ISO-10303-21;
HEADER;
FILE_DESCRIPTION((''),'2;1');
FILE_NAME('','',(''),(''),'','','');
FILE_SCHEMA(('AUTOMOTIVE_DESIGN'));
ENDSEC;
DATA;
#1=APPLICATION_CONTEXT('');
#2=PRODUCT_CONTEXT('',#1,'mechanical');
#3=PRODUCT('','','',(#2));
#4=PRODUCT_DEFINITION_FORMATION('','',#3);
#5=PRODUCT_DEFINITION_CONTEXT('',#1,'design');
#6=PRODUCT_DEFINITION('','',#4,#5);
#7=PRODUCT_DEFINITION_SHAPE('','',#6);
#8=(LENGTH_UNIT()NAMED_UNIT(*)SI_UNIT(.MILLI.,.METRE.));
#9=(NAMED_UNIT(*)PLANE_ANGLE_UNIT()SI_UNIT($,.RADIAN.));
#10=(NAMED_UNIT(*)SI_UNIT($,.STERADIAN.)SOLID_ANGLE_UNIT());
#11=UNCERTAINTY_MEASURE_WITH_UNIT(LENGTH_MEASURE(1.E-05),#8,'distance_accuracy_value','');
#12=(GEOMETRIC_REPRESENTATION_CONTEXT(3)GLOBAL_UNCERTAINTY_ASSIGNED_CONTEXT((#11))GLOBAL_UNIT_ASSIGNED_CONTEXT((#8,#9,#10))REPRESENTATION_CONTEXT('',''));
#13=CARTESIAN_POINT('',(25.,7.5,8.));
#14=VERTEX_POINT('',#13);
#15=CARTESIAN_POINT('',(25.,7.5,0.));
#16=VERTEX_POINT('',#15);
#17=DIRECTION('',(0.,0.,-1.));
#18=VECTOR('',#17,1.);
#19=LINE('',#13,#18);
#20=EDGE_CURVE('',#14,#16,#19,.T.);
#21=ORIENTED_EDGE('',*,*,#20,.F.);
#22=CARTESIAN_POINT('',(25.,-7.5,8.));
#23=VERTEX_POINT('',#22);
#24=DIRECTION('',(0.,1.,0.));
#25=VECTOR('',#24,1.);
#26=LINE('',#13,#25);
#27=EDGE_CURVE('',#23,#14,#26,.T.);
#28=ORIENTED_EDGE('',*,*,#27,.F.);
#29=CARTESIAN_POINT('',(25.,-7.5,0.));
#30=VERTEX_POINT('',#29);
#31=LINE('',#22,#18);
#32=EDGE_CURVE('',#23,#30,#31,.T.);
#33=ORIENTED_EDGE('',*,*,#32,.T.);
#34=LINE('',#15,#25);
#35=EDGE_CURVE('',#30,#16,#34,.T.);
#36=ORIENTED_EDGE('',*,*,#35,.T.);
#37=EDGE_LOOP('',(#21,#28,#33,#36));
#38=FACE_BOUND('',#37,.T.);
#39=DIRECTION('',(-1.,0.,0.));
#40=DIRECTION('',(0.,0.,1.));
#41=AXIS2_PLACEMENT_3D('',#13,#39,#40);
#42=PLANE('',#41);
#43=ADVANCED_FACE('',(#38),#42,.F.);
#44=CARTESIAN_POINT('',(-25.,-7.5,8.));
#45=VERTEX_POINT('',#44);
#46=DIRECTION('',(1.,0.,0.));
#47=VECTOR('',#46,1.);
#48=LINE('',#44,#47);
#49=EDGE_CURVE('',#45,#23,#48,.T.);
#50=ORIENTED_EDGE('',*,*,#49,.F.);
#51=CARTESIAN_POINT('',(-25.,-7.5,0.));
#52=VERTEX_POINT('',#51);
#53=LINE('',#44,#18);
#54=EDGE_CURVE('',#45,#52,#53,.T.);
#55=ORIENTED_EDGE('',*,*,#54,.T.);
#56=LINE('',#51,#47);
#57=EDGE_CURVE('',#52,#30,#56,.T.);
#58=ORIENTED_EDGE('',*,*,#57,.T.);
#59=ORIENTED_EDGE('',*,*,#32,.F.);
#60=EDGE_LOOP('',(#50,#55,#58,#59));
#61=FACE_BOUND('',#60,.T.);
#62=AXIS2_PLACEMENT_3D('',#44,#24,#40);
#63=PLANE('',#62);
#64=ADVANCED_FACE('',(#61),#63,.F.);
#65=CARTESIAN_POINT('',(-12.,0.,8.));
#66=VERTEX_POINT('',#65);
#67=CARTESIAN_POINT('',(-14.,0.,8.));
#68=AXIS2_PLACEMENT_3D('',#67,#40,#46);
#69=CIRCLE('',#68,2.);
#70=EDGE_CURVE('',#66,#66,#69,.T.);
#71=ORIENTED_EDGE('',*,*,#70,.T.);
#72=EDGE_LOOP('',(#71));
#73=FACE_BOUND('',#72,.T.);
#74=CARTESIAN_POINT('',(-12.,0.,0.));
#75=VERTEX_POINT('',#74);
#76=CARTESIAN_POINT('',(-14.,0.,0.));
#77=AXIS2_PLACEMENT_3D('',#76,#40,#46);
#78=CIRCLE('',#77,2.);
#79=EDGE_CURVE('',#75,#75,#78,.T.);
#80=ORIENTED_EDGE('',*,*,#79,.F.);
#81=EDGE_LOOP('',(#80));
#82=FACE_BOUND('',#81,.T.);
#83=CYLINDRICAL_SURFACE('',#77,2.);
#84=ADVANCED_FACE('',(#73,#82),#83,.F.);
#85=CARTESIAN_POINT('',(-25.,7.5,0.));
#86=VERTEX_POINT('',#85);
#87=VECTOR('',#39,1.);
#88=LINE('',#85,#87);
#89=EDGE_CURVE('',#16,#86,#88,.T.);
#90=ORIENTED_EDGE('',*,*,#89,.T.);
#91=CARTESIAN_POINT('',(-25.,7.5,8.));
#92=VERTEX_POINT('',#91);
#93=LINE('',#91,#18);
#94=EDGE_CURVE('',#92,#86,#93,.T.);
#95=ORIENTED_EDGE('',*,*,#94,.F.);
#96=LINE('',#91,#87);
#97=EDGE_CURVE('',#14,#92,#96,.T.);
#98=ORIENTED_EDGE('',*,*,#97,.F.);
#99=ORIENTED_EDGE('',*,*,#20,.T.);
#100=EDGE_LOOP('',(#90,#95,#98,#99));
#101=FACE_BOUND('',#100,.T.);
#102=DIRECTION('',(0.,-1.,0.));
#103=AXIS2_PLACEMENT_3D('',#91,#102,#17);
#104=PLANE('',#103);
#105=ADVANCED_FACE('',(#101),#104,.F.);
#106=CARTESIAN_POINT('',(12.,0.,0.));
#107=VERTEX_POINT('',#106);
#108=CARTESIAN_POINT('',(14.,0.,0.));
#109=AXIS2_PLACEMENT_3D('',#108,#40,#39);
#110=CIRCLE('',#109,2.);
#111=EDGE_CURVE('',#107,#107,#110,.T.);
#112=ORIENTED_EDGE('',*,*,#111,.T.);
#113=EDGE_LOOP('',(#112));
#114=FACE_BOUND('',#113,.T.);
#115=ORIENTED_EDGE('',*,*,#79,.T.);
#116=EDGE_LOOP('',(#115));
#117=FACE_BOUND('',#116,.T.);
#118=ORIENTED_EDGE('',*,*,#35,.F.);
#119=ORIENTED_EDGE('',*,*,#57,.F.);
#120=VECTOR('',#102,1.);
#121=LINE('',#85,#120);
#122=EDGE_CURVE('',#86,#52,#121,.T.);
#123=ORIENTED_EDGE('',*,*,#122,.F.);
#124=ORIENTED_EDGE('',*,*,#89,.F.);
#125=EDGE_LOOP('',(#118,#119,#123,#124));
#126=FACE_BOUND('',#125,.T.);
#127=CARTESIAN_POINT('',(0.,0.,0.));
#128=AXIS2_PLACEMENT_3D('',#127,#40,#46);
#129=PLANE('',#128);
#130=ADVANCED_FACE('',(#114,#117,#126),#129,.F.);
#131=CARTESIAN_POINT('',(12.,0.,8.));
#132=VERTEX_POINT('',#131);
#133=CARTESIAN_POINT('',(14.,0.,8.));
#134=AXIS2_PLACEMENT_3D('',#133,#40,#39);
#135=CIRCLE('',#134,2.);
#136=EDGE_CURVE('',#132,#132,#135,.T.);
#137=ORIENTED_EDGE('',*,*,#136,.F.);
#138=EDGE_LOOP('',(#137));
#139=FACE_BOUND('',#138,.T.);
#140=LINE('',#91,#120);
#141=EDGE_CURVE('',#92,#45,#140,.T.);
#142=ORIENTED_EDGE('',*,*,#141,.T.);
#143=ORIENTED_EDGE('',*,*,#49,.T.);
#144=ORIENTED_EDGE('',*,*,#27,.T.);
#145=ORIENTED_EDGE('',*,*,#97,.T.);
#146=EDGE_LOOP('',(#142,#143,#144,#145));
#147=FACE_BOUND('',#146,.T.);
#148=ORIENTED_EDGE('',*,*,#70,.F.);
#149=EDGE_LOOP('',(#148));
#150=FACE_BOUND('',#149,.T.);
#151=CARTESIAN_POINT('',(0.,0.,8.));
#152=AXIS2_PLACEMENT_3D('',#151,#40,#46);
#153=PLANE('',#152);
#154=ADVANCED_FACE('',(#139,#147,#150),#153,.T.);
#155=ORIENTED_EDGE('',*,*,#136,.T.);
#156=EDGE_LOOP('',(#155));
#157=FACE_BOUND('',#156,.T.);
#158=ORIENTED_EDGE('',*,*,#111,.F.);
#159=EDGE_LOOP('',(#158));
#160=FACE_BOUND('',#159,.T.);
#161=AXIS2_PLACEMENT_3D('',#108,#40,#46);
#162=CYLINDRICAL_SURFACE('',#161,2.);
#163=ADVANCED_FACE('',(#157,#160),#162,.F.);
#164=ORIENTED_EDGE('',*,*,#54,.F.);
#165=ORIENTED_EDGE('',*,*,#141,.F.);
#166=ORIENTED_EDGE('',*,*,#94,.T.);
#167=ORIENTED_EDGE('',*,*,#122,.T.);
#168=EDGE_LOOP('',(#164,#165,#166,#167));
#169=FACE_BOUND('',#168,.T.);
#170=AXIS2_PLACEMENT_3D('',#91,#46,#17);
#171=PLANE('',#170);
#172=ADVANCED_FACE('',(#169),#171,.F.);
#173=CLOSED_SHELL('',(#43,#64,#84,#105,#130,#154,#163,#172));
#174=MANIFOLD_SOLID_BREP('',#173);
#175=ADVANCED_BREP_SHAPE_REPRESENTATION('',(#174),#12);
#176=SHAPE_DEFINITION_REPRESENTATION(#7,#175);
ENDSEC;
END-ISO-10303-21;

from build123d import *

# Parameters (mm, degrees)
SKETCH_1_W          = 50
SKETCH_1_H          = 15
EXTRUDE_1_DEPTH     = 8
SKETCH_2_R          = 2
CUT_EXTRUDE_1_DEPTH = 28.299267389


with BuildPart() as part:
    # 草图1 → 凸台-拉伸1 (new body)
    with BuildSketch(Plane.XY):
        Rectangle(SKETCH_1_W, SKETCH_1_H)
    extrude(amount=EXTRUDE_1_DEPTH)

    # 草图2 → 切除-拉伸1 (cut, through all)
    with BuildSketch(Plane.XY.offset(8)):
        with Locations((-14, 0)):
            Circle(SKETCH_2_R)
        with Locations(Location((14, 0, 0), (0, 0, 180))):
            Circle(SKETCH_2_R)
    extrude(amount=-CUT_EXTRUDE_1_DEPTH, mode=Mode.SUBTRACT)


solid = part.part
